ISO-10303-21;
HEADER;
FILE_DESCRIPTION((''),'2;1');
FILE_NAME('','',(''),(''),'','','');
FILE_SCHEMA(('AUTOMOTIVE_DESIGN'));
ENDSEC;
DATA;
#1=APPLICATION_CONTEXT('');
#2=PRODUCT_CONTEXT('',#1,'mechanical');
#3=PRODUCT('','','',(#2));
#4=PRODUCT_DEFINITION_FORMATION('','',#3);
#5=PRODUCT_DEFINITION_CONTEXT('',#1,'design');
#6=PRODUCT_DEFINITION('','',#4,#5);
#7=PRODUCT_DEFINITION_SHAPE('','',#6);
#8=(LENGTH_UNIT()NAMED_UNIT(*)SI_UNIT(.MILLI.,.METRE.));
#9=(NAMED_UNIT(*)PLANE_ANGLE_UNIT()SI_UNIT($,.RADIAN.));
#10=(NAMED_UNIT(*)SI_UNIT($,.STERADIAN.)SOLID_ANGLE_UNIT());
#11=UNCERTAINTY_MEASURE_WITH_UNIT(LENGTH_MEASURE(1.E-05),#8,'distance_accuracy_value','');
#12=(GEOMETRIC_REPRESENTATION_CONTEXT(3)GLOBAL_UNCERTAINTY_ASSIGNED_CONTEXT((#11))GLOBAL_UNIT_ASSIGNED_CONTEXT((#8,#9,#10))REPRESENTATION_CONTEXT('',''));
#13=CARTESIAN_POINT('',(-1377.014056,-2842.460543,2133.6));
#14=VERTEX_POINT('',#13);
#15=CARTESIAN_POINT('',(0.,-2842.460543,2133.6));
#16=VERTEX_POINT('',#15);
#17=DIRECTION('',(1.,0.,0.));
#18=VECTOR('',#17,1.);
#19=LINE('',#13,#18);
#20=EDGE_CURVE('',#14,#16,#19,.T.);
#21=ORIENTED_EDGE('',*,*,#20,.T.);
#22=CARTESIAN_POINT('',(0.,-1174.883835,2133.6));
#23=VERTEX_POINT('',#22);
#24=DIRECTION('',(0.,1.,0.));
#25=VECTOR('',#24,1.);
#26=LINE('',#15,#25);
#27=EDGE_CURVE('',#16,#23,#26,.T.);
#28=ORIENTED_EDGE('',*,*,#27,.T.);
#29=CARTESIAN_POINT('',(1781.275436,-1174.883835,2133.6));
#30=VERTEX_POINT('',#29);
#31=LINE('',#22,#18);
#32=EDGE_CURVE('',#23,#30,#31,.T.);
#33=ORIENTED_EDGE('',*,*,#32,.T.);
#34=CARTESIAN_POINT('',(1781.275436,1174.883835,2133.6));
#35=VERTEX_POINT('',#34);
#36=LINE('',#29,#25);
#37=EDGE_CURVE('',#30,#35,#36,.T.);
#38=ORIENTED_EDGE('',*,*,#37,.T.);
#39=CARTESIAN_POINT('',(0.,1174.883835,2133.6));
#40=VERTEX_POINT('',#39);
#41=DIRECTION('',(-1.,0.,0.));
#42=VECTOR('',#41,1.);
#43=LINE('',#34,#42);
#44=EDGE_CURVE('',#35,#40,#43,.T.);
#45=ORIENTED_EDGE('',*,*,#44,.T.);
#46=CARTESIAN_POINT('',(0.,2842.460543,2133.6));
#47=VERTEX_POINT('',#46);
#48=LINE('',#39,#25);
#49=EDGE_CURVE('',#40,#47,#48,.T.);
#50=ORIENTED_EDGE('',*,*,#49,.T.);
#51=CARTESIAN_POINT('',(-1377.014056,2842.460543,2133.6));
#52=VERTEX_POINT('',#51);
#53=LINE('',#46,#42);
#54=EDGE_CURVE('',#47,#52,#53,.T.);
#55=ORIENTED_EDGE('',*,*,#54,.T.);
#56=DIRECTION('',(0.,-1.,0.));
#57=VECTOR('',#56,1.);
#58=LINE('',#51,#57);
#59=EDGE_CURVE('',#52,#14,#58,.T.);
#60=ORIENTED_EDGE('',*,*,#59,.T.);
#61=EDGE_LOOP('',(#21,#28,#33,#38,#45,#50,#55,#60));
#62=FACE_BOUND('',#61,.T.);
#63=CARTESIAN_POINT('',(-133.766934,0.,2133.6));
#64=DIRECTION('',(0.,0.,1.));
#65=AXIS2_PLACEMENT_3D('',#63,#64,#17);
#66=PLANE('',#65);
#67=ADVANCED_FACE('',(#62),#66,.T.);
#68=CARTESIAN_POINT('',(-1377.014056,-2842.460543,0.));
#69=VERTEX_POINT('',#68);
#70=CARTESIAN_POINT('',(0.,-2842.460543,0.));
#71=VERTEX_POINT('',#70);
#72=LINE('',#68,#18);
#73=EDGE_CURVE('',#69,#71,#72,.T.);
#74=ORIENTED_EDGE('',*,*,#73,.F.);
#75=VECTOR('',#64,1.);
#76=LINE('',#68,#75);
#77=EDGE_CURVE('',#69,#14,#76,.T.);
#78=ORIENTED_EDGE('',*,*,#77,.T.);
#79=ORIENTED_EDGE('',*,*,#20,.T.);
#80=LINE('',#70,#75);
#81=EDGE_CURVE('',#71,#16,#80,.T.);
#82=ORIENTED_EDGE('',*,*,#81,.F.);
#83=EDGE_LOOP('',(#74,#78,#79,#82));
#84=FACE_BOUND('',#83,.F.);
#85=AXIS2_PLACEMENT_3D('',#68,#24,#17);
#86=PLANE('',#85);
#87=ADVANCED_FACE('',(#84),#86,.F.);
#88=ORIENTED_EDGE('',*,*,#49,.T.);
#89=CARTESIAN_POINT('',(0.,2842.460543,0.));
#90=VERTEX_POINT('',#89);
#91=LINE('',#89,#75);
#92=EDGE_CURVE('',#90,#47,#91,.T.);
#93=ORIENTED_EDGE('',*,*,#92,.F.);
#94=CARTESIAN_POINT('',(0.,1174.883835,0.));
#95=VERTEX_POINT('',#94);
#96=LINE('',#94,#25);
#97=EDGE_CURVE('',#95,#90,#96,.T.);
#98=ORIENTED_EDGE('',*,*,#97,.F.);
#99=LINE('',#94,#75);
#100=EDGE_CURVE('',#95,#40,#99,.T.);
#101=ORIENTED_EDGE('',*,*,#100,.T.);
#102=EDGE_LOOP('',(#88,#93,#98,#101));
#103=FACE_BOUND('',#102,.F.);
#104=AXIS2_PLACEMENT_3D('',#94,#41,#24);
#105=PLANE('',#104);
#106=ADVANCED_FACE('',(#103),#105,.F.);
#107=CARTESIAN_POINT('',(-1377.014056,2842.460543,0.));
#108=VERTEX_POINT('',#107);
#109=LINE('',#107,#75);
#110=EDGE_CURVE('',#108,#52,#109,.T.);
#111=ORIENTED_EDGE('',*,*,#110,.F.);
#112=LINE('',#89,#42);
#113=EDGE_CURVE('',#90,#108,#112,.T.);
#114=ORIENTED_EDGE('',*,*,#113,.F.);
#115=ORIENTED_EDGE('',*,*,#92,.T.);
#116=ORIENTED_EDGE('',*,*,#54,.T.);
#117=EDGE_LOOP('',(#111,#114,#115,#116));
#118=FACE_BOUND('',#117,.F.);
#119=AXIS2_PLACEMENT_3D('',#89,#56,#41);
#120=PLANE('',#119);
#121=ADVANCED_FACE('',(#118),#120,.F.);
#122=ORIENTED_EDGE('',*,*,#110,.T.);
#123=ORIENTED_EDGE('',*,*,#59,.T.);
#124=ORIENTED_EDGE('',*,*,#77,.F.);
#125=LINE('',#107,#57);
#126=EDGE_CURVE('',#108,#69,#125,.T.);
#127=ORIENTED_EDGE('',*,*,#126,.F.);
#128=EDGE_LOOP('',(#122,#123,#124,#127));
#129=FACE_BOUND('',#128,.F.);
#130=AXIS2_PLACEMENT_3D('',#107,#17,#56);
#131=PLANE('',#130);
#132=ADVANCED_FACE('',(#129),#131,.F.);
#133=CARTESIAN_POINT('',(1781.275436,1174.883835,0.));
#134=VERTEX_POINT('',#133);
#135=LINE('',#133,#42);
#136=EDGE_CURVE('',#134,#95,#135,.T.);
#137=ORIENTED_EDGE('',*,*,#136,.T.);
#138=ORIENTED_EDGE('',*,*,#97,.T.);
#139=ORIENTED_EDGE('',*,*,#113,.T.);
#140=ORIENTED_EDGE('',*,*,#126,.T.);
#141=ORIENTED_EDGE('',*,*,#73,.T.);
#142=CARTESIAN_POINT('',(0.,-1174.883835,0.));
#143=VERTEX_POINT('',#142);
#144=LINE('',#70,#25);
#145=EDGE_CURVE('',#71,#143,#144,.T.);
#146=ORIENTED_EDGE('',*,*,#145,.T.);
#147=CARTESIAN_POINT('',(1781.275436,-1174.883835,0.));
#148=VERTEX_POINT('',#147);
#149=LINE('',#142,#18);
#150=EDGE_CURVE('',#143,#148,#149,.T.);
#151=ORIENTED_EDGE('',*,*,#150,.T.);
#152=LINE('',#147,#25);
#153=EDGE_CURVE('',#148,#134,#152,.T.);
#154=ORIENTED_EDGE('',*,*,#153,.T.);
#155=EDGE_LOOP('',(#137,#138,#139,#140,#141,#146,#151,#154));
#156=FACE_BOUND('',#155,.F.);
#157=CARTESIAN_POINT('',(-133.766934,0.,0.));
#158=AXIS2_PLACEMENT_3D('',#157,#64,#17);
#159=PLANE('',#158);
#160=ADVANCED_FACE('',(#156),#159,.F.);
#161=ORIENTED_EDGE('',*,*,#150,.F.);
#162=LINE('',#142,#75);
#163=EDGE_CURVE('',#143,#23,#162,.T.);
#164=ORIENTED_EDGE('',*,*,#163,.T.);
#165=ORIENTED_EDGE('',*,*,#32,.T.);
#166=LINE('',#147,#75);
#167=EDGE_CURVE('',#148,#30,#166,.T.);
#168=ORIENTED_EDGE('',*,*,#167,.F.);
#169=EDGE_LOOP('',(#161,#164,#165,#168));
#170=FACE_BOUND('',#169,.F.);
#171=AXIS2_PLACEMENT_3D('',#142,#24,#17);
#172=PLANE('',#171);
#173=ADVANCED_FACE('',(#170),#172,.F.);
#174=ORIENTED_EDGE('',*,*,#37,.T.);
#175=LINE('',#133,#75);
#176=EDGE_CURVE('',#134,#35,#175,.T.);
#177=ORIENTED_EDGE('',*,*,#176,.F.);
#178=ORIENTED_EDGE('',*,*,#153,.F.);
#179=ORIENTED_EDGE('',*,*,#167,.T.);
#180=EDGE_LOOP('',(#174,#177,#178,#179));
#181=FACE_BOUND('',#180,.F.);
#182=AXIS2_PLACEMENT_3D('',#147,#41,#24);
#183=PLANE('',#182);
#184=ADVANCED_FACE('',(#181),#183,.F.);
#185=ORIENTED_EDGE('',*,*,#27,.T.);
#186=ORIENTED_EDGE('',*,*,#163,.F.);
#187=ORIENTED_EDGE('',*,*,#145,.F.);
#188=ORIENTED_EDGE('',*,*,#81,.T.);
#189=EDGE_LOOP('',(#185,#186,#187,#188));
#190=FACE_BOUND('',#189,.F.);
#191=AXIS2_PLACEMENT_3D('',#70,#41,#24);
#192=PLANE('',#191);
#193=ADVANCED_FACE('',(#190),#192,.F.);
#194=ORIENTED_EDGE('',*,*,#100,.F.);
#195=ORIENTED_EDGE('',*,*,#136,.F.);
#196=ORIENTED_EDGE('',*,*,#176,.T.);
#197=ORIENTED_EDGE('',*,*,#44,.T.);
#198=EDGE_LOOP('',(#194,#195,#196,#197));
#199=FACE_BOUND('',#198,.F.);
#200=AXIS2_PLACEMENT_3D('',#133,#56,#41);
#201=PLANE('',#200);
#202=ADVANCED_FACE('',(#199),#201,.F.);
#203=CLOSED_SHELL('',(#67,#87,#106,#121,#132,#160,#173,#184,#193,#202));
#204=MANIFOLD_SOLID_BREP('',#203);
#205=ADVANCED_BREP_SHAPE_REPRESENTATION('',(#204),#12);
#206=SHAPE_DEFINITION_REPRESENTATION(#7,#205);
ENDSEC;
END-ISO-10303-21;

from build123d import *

# Parameters (mm, degrees)
F1_DEPTH = 25.4
F2_SCALE = 84


with BuildPart() as f1:
    # F0 (on Top) → F1 (new body)
    with BuildSketch(Plane.XY):
        Polygon((21.2056599557, 13.9867123216), (0, 13.9867123216), (0, 33.8388159871), (-16.3930244744, 33.8388159871), (-16.3930244744, 0), (-16.3930244744, -33.8388159871), (0, -33.8388159871), (0, -13.9867123216), (21.2056599557, -13.9867123216), align=None)
    extrude(amount=F1_DEPTH)


with BuildPart() as f1_1:
    # F2: moved
    add(f1.part.scale(F2_SCALE))


solid = f1_1.part
